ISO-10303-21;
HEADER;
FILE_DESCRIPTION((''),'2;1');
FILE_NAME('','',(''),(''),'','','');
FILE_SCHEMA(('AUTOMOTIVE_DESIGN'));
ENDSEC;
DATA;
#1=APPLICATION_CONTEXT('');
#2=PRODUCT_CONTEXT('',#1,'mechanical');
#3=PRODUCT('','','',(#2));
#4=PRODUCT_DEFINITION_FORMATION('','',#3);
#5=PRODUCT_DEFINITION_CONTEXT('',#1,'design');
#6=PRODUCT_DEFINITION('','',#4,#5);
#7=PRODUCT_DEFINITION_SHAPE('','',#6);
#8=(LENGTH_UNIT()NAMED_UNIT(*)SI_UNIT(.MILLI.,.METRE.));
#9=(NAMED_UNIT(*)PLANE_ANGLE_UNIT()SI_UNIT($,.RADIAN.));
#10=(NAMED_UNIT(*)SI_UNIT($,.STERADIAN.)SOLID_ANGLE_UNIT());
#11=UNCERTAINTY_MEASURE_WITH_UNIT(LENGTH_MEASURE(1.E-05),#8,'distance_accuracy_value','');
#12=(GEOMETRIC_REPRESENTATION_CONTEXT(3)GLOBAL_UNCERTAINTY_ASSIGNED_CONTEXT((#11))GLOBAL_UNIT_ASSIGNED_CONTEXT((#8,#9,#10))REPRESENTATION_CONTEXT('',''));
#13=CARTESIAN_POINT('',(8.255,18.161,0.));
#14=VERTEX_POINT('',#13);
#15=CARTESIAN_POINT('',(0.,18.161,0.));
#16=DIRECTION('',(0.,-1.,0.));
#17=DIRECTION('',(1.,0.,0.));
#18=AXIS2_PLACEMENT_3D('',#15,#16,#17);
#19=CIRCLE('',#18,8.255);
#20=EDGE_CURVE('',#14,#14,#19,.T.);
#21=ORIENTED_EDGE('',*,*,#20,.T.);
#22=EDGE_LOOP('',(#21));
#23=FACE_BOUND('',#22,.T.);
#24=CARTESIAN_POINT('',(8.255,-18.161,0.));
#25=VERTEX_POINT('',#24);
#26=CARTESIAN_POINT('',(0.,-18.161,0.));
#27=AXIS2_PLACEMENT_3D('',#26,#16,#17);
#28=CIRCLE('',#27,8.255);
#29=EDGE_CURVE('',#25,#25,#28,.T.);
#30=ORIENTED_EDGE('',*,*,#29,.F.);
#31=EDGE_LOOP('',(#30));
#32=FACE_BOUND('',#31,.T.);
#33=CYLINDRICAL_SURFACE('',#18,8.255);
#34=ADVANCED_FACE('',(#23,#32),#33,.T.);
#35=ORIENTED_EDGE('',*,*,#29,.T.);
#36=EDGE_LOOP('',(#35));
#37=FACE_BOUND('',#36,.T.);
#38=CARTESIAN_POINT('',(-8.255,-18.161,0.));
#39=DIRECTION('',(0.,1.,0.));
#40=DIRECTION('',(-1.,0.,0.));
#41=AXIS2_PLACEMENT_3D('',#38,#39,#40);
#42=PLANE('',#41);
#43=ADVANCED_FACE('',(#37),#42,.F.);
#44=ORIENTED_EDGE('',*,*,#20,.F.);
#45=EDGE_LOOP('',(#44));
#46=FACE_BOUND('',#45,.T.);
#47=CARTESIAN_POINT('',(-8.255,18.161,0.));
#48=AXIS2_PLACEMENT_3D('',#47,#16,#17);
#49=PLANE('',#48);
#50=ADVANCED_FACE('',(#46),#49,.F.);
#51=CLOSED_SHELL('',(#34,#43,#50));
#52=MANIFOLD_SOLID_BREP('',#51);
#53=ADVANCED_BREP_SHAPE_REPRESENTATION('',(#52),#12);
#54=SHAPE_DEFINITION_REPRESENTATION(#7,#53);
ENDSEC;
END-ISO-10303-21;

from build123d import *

# Parameters (mm, degrees)
SKETCH1_W = 8.255
SKETCH1_H = 36.322


with BuildPart() as part:
    # Sketch1 → Revolve1 (revolve)
    with BuildSketch(Plane.XY):
        with Locations((-4.1275, 0)):
            Rectangle(SKETCH1_W, SKETCH1_H)
    revolve(axis=Axis((0, 18.161, 0), (0, 1, 0)))


solid = part.part
